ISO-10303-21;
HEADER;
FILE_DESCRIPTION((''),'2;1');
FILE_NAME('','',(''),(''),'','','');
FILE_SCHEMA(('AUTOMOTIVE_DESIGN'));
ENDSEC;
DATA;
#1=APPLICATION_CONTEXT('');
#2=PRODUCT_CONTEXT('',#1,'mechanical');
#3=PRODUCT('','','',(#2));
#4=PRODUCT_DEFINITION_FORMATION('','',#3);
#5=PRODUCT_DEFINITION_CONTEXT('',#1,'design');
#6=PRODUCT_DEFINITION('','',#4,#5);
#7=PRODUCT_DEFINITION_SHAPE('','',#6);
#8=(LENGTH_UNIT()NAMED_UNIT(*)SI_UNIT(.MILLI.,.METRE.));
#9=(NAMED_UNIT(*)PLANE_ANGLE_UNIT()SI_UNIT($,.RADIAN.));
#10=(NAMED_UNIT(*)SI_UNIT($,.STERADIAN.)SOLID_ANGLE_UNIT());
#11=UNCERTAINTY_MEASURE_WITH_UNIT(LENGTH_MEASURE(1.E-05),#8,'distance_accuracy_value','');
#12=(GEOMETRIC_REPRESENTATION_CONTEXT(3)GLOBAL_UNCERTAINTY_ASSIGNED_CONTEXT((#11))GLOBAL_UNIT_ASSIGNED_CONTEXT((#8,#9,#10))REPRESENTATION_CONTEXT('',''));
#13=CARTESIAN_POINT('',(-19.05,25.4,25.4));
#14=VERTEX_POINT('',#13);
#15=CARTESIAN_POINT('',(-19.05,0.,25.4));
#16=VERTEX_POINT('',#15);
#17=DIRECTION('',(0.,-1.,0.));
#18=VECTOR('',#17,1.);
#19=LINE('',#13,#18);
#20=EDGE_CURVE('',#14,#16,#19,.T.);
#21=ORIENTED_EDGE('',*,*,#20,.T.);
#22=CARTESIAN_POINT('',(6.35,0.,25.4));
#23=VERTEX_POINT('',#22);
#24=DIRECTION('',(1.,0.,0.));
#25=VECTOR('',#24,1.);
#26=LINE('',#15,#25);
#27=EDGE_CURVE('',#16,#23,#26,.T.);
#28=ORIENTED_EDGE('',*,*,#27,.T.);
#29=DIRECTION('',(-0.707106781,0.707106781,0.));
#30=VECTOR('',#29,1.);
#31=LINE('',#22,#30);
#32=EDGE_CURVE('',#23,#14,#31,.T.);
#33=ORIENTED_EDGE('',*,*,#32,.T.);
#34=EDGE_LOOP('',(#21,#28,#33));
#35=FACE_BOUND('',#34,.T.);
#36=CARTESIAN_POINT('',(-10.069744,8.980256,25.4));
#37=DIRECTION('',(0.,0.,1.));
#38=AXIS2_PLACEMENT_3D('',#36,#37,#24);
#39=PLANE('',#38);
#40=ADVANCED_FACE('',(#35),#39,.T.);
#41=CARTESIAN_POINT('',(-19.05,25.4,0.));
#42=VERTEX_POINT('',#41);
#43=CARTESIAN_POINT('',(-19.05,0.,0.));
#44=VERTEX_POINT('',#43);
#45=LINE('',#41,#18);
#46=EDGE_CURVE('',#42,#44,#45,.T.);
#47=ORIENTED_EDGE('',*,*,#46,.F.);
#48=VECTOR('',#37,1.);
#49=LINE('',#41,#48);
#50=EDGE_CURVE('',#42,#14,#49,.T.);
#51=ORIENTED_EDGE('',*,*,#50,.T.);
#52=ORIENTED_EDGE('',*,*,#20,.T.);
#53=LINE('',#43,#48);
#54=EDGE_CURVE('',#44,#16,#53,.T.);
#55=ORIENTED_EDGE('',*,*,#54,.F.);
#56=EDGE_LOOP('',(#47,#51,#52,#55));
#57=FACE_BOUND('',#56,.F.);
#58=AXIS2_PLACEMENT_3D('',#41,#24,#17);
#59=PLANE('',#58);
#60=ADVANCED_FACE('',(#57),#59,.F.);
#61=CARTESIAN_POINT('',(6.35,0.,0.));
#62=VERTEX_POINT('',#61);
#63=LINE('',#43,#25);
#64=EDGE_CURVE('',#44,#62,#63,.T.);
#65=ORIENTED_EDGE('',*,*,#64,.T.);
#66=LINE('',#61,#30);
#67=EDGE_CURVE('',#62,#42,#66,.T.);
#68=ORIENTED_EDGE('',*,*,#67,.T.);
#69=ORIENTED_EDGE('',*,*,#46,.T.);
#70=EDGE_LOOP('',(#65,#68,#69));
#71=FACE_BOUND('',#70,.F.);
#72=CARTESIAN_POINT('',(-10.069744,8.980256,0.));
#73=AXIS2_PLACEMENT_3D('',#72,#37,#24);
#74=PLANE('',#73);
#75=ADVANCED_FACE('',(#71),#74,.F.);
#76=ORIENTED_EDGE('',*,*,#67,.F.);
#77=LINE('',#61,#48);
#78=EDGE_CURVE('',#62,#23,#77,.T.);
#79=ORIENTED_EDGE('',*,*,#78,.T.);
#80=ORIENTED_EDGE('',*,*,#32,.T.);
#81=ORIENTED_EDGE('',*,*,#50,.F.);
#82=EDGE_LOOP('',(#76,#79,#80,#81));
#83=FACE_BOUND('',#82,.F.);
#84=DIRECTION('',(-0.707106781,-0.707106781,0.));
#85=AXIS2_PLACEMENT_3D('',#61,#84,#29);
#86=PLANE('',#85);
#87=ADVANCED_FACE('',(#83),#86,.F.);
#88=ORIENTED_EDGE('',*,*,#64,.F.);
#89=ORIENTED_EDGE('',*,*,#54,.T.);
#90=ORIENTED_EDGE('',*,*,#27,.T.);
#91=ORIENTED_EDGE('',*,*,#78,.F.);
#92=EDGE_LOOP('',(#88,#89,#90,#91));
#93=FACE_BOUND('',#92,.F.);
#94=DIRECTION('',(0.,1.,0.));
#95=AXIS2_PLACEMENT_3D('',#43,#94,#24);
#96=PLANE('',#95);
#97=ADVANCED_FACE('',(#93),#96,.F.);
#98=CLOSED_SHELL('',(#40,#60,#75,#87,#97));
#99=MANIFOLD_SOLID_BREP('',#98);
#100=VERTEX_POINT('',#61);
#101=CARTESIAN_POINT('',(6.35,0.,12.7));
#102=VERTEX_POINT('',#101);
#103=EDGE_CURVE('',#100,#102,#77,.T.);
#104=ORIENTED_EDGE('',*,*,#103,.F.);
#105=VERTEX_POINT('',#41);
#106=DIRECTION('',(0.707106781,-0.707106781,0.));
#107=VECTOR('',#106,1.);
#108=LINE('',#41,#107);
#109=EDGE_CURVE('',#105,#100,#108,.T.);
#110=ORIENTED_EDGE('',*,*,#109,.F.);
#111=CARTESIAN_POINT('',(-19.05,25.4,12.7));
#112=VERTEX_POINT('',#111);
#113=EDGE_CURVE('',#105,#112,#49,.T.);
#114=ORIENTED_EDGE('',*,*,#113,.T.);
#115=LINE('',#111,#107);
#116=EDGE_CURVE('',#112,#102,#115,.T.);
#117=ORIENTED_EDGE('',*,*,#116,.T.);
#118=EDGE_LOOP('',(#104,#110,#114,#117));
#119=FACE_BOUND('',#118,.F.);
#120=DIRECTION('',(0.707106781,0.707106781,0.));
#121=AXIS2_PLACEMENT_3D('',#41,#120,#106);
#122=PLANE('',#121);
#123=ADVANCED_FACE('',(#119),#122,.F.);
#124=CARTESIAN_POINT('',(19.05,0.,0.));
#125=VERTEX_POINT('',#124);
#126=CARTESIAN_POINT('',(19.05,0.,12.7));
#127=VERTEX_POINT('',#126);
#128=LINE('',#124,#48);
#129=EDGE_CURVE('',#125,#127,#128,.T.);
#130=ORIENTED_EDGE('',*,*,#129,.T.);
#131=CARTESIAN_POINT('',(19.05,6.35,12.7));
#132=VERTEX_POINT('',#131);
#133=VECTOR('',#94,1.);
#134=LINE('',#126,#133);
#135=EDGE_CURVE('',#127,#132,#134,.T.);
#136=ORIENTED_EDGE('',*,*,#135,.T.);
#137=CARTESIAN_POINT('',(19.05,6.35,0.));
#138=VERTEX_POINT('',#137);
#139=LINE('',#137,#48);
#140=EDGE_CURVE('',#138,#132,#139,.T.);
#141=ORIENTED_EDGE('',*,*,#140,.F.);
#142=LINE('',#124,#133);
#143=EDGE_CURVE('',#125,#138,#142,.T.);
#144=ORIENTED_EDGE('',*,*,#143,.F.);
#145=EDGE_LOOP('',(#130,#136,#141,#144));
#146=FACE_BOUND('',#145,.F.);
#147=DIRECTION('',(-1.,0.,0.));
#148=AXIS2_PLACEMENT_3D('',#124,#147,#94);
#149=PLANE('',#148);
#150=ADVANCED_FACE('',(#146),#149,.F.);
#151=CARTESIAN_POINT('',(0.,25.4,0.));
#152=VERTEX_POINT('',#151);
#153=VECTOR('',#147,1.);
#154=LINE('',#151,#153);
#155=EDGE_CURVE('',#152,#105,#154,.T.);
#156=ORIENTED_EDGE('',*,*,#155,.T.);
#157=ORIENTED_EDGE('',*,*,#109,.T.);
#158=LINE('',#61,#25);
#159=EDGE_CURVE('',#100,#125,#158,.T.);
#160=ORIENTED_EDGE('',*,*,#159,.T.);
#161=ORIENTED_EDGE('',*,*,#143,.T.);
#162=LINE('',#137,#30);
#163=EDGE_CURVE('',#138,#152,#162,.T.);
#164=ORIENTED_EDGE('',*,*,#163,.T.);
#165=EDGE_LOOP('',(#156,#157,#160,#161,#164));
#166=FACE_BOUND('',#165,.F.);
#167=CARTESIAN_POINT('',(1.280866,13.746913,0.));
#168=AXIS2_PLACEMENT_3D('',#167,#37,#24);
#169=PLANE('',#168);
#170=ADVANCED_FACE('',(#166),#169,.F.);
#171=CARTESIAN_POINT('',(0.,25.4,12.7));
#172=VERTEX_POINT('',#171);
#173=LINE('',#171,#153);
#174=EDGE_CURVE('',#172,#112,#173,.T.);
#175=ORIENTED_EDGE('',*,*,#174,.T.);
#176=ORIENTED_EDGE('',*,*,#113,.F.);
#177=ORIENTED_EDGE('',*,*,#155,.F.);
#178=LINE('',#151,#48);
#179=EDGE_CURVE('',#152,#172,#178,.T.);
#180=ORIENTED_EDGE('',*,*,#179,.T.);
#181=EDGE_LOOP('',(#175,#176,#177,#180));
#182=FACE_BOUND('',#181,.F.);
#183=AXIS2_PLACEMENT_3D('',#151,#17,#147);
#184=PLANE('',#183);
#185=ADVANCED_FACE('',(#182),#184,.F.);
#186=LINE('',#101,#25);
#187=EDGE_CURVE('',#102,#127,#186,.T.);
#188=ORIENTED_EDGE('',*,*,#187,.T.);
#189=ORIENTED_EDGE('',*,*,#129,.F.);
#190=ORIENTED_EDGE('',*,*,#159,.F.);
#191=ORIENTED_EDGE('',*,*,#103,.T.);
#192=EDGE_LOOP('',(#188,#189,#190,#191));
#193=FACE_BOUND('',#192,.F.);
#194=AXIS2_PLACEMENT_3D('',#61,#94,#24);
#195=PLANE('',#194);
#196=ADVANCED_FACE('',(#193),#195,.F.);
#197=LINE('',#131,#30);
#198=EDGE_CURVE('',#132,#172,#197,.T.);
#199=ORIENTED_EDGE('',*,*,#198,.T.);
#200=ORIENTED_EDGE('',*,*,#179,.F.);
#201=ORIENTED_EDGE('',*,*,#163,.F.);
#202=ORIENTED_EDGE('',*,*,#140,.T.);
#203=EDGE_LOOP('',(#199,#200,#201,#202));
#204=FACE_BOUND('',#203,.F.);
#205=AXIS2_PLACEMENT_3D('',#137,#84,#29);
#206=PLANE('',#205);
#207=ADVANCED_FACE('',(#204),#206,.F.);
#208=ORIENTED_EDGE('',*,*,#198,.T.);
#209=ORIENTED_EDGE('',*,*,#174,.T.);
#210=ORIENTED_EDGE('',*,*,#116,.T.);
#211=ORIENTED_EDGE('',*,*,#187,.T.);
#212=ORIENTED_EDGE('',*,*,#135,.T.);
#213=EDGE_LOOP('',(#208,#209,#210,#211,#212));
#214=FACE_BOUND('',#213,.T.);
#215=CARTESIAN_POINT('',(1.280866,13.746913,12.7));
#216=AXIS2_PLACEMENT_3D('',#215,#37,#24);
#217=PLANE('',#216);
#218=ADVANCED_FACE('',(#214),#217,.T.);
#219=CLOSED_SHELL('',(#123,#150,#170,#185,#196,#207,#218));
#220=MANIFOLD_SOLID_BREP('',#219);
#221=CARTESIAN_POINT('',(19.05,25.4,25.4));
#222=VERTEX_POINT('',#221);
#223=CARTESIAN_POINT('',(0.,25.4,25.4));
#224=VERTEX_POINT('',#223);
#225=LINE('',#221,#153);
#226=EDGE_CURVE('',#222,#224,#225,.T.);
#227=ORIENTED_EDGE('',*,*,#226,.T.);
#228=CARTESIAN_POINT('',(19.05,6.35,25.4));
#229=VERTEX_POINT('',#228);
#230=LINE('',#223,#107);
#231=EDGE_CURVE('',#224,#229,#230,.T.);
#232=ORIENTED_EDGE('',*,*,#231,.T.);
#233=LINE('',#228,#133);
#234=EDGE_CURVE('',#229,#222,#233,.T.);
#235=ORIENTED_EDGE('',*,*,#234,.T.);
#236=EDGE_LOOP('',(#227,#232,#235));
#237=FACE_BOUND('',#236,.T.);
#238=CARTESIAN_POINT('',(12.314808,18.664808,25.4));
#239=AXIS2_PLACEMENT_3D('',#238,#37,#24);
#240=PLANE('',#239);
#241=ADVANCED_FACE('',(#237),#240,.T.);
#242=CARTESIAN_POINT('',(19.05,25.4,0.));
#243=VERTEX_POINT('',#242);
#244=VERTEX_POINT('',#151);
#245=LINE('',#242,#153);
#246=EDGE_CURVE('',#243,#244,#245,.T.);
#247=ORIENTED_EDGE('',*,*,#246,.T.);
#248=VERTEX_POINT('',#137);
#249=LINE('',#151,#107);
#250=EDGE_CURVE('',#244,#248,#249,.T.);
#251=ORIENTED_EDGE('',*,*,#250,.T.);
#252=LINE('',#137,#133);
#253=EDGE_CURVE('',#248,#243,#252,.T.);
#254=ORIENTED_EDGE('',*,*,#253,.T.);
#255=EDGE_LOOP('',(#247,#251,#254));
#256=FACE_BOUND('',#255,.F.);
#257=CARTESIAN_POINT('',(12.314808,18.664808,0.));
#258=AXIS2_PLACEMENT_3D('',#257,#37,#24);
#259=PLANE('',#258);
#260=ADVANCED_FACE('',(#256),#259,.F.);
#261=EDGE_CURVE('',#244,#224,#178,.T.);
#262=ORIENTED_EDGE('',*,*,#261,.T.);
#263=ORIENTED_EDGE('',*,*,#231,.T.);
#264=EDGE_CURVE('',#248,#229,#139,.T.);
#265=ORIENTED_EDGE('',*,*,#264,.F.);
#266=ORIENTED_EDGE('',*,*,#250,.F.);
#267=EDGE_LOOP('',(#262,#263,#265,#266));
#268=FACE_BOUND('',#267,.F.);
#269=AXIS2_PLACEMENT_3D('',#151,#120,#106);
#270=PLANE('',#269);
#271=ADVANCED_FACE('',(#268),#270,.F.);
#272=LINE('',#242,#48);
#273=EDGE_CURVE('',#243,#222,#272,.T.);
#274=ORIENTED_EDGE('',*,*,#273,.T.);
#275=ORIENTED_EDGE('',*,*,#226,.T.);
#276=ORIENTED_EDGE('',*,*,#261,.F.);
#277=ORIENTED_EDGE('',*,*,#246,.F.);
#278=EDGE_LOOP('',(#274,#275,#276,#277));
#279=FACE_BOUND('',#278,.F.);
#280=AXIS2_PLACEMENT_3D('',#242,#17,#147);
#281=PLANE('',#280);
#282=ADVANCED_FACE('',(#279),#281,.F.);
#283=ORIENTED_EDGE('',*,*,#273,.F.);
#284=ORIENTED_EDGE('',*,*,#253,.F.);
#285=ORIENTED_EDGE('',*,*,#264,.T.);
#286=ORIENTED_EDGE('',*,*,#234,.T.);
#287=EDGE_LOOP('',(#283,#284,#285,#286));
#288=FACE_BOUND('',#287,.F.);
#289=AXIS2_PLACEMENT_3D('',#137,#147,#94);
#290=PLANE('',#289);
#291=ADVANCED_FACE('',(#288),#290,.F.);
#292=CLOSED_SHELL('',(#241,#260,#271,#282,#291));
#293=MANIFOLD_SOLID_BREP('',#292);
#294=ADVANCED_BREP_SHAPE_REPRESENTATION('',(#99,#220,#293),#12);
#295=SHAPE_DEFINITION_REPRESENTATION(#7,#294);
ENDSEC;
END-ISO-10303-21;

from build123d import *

# Parameters (mm, degrees)
F1_DEPTH = 25.4
F2_DEPTH = 12.7


with BuildPart() as f1:
    # F0 (on Top) → F1 (new body)
    with BuildSketch(Plane.XY):
        Polygon((6.35, 0), (-19.05, 25.4), (-19.05, 0), align=None)
    extrude(amount=F1_DEPTH)


with BuildPart() as f1b:
    # F0 (on Top) → F1, piece 2 (new body)
    with BuildSketch(Plane.XY):
        Polygon((19.05, 25.4), (0, 25.4), (19.05, 6.35), align=None)
    extrude(amount=F1_DEPTH)


with BuildPart() as f2:
    # F0 (on Top) → F2 (new body)
    with BuildSketch(Plane.XY):
        Polygon((0, 25.4), (-19.05, 25.4), (6.35, 0), (19.05, 0), (19.05, 6.35), align=None)
    extrude(amount=F2_DEPTH)


solid = Compound([f1.part, f1b.part, f2.part])
